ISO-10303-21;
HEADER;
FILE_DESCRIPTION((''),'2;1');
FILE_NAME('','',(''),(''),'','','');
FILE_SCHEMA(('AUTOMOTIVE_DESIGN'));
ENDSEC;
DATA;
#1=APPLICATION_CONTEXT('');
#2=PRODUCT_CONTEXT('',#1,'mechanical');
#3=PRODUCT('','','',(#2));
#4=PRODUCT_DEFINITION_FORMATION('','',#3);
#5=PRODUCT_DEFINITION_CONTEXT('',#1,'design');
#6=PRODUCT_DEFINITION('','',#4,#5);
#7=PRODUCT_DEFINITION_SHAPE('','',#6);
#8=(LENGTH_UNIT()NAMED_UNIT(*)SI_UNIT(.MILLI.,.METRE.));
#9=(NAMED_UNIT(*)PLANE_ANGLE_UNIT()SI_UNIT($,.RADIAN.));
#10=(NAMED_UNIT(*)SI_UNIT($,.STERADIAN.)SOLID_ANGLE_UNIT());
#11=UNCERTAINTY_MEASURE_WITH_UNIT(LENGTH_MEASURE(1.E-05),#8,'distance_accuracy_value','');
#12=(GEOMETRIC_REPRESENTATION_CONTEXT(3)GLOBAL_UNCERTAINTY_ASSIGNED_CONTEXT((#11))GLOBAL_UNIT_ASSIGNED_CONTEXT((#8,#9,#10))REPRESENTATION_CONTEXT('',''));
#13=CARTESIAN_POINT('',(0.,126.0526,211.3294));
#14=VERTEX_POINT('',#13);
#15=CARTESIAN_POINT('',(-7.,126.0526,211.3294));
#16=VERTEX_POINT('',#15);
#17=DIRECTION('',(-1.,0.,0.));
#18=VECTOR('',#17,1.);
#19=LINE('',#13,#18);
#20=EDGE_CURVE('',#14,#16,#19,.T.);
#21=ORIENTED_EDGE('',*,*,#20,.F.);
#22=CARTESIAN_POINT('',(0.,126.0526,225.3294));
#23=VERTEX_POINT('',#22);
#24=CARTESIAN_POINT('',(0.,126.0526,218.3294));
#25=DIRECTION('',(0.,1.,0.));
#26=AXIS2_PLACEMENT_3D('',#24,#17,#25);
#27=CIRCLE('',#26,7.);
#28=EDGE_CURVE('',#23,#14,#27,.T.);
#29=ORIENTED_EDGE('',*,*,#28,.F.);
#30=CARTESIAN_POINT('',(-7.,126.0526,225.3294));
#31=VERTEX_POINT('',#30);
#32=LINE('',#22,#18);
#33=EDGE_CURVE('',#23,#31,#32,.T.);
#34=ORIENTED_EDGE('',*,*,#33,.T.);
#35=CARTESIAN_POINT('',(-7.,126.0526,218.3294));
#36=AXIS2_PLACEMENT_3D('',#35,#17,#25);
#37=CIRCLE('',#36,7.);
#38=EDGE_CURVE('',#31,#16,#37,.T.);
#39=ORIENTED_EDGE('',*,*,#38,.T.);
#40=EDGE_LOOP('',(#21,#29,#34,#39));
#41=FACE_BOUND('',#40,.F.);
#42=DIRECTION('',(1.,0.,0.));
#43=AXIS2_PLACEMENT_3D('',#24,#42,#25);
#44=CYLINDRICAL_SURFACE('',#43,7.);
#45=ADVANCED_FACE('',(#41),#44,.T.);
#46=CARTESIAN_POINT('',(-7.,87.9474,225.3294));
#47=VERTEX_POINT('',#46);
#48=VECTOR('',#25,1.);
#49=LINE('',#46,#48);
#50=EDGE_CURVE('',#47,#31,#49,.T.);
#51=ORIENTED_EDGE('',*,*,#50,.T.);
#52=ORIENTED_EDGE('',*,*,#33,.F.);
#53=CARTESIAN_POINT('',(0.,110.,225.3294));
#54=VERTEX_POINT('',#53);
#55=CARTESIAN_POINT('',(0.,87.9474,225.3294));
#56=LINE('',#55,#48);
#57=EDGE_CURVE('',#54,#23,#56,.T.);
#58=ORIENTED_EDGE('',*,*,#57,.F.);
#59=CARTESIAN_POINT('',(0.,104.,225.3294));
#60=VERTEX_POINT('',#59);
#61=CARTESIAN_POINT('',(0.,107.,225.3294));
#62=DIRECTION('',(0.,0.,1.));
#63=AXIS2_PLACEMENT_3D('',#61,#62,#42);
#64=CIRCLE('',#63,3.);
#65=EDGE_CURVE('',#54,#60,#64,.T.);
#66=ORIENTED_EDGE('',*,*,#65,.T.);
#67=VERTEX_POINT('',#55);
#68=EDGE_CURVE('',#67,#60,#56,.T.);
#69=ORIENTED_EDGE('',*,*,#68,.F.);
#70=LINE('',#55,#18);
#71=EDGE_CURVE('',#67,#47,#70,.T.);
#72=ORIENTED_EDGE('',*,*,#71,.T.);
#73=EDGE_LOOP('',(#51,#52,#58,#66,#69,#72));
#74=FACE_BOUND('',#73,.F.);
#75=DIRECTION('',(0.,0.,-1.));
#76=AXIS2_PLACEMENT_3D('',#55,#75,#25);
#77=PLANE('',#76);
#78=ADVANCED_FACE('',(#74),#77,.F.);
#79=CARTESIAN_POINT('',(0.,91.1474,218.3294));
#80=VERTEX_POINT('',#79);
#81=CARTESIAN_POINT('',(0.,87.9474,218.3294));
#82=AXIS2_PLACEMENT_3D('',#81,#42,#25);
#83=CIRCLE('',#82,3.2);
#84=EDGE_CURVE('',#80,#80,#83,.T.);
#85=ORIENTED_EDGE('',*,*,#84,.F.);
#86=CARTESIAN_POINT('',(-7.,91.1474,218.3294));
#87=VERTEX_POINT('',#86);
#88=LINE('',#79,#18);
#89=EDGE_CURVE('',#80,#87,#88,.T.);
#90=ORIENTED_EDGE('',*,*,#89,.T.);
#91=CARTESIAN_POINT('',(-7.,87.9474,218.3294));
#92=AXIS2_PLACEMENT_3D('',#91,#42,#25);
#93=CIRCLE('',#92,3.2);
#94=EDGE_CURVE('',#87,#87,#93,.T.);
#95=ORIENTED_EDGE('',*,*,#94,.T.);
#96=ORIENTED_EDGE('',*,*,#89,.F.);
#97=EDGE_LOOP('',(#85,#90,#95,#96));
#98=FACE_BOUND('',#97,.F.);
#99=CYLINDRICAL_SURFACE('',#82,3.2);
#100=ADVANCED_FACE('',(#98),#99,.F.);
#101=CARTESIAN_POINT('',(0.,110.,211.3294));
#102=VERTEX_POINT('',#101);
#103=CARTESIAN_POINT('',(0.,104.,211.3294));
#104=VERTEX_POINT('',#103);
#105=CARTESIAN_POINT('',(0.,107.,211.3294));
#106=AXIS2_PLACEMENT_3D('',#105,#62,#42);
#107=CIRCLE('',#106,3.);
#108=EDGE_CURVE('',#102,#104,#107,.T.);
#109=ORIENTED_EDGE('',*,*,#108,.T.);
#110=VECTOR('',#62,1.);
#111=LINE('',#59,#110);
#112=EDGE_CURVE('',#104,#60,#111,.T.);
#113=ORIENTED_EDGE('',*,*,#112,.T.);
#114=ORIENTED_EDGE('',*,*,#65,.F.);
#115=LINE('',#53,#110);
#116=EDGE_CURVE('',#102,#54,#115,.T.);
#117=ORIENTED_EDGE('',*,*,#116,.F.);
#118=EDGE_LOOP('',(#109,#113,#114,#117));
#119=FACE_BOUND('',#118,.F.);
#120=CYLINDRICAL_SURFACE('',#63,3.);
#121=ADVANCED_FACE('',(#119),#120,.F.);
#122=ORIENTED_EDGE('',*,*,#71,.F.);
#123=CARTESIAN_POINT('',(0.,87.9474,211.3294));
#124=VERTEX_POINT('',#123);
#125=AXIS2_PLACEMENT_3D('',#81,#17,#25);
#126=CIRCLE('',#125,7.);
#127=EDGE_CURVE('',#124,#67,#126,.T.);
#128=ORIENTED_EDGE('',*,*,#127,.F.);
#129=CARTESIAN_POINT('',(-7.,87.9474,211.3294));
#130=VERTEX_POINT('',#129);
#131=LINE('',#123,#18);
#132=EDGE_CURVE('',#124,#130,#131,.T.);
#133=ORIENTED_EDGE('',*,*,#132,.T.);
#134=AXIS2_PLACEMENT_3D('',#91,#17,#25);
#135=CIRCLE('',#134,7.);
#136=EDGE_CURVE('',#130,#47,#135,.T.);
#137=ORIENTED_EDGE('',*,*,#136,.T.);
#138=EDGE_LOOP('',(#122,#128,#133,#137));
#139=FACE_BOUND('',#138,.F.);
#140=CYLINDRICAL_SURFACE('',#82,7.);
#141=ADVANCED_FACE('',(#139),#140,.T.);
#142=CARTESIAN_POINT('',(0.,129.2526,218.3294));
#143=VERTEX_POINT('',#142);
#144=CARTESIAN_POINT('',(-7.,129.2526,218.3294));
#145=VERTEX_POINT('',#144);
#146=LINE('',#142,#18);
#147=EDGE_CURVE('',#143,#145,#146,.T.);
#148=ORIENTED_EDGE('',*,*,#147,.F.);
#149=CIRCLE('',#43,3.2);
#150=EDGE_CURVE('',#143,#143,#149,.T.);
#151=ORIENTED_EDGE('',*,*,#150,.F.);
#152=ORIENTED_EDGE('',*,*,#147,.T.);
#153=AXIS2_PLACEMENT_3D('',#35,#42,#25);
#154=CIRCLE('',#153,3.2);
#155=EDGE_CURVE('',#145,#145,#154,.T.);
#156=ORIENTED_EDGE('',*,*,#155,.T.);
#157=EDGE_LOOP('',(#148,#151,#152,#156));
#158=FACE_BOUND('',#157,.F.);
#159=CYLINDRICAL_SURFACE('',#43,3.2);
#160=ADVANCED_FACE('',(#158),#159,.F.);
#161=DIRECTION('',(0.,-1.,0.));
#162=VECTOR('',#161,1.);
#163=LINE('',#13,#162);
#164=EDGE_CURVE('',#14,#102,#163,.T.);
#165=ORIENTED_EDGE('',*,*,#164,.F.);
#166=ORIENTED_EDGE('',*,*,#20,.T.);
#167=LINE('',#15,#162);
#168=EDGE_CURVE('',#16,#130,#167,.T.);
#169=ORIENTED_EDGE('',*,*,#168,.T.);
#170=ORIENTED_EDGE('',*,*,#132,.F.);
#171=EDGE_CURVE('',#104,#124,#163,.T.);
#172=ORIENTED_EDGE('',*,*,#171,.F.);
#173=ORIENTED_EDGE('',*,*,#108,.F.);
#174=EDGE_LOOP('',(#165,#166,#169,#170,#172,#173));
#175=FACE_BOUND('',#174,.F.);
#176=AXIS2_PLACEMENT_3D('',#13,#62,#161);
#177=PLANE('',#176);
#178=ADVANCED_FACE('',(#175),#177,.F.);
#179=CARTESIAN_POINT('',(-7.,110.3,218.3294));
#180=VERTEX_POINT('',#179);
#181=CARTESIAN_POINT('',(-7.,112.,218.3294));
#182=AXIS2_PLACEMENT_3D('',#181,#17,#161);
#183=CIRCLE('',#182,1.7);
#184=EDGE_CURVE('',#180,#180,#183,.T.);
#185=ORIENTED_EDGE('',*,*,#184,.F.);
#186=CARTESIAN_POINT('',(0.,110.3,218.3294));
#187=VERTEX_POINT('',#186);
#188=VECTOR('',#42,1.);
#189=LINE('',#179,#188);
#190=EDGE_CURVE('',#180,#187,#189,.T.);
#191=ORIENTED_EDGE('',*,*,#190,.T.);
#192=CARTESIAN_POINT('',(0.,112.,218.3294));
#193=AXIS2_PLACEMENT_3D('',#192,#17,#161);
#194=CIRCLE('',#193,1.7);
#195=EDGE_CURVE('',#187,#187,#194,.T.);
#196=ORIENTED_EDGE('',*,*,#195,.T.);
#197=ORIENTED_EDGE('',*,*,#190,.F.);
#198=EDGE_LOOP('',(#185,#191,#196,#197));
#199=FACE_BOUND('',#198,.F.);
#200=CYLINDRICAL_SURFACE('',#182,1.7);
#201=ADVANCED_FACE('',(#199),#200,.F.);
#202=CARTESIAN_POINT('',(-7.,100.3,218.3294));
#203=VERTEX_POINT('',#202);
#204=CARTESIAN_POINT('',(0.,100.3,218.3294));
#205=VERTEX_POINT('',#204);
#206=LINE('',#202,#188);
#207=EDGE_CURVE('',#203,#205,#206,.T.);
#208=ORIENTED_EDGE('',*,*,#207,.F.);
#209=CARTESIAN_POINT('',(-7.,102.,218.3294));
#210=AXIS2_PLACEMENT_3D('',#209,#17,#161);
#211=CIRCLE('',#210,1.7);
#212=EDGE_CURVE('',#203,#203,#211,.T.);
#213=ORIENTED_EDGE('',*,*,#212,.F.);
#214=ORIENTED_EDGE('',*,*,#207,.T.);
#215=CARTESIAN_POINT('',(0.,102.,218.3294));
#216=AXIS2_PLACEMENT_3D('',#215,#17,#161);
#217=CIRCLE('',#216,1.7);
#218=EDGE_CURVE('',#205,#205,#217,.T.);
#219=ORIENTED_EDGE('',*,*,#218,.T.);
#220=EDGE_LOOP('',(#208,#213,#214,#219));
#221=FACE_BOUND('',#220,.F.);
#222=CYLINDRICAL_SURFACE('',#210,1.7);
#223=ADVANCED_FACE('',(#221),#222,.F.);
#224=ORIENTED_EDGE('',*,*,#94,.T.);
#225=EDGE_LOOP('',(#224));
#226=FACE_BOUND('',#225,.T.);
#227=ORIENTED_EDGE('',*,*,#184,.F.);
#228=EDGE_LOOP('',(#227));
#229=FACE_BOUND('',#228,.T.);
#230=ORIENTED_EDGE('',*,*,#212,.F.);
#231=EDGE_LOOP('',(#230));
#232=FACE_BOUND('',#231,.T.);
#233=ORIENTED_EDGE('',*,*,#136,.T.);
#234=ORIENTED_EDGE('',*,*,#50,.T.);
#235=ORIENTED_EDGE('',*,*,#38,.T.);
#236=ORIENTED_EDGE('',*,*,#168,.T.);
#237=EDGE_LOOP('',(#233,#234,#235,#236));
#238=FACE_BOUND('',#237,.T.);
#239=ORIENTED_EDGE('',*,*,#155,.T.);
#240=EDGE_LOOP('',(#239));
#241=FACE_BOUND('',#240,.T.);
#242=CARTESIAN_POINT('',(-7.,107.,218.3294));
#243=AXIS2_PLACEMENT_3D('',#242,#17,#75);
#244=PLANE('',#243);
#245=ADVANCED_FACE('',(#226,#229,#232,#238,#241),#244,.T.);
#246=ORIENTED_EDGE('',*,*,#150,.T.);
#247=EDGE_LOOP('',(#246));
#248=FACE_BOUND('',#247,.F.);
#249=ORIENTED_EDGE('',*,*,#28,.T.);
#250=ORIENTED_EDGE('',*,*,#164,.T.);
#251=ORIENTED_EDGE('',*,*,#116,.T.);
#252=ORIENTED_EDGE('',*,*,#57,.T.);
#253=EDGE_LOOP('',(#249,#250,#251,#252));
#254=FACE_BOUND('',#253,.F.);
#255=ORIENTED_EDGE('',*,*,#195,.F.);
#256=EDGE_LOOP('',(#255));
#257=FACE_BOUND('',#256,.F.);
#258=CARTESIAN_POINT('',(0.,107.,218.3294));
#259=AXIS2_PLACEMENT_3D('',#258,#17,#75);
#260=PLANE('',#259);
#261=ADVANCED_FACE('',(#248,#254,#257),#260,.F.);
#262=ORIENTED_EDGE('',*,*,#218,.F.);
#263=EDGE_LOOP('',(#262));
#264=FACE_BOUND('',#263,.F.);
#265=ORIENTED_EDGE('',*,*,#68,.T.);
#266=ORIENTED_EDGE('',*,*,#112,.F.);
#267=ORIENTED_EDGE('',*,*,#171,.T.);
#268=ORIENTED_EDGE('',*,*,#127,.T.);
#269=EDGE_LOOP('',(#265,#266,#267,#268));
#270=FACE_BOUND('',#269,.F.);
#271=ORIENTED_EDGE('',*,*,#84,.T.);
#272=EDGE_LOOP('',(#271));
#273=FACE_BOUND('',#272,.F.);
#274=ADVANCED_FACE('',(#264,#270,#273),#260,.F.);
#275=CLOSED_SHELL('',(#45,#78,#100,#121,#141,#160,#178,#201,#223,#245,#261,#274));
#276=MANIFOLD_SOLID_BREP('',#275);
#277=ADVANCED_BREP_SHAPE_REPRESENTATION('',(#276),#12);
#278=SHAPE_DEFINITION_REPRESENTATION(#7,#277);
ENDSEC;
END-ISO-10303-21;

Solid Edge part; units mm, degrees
sketch "Sketch1" plane through (0, 0, 0) normal (1, 0, 0) x (0, 1, 0)
  circle A0 centre (126.0526, 218.3294) radius 3.2
  line L0 (87.9474, 225.3294) -> (126.0526, 225.3294)
  line L1 (126.0526, 211.3294) -> (87.9474, 211.3294)
  arc A1 (87.9474, 211.3294) -> (87.9474, 225.3294) centre (87.9474, 218.3294) cw
  arc A2 (126.0526, 225.3294) -> (126.0526, 211.3294) centre (126.0526, 218.3294) cw
  circle A3 centre (87.9474, 218.3294) radius 3.2
extrude "Protrusion1" add sketch "Sketch1" against normal blind 7
sketch "Sketch2" plane through (-4, 107, 225.3294) normal (0, 0, 1) x (1, 0, 0)
  circle A0 centre (4, 0) radius 3
extrude "Cutout1" cut sketch "Sketch2" against normal through all
sketch "Sketch3" plane through (-7, 107, 218.3294) normal (-1, 0, 0) x (0, -1, 0)
  circle A0 centre (-5, 0) radius 1.7
  circle A1 centre (5, 0) radius 1.7
  dimension "D1" = 5
extrude "Cutout2" cut sketch "Sketch3" against normal through all
properties material "ABS Plastic, high impact"
